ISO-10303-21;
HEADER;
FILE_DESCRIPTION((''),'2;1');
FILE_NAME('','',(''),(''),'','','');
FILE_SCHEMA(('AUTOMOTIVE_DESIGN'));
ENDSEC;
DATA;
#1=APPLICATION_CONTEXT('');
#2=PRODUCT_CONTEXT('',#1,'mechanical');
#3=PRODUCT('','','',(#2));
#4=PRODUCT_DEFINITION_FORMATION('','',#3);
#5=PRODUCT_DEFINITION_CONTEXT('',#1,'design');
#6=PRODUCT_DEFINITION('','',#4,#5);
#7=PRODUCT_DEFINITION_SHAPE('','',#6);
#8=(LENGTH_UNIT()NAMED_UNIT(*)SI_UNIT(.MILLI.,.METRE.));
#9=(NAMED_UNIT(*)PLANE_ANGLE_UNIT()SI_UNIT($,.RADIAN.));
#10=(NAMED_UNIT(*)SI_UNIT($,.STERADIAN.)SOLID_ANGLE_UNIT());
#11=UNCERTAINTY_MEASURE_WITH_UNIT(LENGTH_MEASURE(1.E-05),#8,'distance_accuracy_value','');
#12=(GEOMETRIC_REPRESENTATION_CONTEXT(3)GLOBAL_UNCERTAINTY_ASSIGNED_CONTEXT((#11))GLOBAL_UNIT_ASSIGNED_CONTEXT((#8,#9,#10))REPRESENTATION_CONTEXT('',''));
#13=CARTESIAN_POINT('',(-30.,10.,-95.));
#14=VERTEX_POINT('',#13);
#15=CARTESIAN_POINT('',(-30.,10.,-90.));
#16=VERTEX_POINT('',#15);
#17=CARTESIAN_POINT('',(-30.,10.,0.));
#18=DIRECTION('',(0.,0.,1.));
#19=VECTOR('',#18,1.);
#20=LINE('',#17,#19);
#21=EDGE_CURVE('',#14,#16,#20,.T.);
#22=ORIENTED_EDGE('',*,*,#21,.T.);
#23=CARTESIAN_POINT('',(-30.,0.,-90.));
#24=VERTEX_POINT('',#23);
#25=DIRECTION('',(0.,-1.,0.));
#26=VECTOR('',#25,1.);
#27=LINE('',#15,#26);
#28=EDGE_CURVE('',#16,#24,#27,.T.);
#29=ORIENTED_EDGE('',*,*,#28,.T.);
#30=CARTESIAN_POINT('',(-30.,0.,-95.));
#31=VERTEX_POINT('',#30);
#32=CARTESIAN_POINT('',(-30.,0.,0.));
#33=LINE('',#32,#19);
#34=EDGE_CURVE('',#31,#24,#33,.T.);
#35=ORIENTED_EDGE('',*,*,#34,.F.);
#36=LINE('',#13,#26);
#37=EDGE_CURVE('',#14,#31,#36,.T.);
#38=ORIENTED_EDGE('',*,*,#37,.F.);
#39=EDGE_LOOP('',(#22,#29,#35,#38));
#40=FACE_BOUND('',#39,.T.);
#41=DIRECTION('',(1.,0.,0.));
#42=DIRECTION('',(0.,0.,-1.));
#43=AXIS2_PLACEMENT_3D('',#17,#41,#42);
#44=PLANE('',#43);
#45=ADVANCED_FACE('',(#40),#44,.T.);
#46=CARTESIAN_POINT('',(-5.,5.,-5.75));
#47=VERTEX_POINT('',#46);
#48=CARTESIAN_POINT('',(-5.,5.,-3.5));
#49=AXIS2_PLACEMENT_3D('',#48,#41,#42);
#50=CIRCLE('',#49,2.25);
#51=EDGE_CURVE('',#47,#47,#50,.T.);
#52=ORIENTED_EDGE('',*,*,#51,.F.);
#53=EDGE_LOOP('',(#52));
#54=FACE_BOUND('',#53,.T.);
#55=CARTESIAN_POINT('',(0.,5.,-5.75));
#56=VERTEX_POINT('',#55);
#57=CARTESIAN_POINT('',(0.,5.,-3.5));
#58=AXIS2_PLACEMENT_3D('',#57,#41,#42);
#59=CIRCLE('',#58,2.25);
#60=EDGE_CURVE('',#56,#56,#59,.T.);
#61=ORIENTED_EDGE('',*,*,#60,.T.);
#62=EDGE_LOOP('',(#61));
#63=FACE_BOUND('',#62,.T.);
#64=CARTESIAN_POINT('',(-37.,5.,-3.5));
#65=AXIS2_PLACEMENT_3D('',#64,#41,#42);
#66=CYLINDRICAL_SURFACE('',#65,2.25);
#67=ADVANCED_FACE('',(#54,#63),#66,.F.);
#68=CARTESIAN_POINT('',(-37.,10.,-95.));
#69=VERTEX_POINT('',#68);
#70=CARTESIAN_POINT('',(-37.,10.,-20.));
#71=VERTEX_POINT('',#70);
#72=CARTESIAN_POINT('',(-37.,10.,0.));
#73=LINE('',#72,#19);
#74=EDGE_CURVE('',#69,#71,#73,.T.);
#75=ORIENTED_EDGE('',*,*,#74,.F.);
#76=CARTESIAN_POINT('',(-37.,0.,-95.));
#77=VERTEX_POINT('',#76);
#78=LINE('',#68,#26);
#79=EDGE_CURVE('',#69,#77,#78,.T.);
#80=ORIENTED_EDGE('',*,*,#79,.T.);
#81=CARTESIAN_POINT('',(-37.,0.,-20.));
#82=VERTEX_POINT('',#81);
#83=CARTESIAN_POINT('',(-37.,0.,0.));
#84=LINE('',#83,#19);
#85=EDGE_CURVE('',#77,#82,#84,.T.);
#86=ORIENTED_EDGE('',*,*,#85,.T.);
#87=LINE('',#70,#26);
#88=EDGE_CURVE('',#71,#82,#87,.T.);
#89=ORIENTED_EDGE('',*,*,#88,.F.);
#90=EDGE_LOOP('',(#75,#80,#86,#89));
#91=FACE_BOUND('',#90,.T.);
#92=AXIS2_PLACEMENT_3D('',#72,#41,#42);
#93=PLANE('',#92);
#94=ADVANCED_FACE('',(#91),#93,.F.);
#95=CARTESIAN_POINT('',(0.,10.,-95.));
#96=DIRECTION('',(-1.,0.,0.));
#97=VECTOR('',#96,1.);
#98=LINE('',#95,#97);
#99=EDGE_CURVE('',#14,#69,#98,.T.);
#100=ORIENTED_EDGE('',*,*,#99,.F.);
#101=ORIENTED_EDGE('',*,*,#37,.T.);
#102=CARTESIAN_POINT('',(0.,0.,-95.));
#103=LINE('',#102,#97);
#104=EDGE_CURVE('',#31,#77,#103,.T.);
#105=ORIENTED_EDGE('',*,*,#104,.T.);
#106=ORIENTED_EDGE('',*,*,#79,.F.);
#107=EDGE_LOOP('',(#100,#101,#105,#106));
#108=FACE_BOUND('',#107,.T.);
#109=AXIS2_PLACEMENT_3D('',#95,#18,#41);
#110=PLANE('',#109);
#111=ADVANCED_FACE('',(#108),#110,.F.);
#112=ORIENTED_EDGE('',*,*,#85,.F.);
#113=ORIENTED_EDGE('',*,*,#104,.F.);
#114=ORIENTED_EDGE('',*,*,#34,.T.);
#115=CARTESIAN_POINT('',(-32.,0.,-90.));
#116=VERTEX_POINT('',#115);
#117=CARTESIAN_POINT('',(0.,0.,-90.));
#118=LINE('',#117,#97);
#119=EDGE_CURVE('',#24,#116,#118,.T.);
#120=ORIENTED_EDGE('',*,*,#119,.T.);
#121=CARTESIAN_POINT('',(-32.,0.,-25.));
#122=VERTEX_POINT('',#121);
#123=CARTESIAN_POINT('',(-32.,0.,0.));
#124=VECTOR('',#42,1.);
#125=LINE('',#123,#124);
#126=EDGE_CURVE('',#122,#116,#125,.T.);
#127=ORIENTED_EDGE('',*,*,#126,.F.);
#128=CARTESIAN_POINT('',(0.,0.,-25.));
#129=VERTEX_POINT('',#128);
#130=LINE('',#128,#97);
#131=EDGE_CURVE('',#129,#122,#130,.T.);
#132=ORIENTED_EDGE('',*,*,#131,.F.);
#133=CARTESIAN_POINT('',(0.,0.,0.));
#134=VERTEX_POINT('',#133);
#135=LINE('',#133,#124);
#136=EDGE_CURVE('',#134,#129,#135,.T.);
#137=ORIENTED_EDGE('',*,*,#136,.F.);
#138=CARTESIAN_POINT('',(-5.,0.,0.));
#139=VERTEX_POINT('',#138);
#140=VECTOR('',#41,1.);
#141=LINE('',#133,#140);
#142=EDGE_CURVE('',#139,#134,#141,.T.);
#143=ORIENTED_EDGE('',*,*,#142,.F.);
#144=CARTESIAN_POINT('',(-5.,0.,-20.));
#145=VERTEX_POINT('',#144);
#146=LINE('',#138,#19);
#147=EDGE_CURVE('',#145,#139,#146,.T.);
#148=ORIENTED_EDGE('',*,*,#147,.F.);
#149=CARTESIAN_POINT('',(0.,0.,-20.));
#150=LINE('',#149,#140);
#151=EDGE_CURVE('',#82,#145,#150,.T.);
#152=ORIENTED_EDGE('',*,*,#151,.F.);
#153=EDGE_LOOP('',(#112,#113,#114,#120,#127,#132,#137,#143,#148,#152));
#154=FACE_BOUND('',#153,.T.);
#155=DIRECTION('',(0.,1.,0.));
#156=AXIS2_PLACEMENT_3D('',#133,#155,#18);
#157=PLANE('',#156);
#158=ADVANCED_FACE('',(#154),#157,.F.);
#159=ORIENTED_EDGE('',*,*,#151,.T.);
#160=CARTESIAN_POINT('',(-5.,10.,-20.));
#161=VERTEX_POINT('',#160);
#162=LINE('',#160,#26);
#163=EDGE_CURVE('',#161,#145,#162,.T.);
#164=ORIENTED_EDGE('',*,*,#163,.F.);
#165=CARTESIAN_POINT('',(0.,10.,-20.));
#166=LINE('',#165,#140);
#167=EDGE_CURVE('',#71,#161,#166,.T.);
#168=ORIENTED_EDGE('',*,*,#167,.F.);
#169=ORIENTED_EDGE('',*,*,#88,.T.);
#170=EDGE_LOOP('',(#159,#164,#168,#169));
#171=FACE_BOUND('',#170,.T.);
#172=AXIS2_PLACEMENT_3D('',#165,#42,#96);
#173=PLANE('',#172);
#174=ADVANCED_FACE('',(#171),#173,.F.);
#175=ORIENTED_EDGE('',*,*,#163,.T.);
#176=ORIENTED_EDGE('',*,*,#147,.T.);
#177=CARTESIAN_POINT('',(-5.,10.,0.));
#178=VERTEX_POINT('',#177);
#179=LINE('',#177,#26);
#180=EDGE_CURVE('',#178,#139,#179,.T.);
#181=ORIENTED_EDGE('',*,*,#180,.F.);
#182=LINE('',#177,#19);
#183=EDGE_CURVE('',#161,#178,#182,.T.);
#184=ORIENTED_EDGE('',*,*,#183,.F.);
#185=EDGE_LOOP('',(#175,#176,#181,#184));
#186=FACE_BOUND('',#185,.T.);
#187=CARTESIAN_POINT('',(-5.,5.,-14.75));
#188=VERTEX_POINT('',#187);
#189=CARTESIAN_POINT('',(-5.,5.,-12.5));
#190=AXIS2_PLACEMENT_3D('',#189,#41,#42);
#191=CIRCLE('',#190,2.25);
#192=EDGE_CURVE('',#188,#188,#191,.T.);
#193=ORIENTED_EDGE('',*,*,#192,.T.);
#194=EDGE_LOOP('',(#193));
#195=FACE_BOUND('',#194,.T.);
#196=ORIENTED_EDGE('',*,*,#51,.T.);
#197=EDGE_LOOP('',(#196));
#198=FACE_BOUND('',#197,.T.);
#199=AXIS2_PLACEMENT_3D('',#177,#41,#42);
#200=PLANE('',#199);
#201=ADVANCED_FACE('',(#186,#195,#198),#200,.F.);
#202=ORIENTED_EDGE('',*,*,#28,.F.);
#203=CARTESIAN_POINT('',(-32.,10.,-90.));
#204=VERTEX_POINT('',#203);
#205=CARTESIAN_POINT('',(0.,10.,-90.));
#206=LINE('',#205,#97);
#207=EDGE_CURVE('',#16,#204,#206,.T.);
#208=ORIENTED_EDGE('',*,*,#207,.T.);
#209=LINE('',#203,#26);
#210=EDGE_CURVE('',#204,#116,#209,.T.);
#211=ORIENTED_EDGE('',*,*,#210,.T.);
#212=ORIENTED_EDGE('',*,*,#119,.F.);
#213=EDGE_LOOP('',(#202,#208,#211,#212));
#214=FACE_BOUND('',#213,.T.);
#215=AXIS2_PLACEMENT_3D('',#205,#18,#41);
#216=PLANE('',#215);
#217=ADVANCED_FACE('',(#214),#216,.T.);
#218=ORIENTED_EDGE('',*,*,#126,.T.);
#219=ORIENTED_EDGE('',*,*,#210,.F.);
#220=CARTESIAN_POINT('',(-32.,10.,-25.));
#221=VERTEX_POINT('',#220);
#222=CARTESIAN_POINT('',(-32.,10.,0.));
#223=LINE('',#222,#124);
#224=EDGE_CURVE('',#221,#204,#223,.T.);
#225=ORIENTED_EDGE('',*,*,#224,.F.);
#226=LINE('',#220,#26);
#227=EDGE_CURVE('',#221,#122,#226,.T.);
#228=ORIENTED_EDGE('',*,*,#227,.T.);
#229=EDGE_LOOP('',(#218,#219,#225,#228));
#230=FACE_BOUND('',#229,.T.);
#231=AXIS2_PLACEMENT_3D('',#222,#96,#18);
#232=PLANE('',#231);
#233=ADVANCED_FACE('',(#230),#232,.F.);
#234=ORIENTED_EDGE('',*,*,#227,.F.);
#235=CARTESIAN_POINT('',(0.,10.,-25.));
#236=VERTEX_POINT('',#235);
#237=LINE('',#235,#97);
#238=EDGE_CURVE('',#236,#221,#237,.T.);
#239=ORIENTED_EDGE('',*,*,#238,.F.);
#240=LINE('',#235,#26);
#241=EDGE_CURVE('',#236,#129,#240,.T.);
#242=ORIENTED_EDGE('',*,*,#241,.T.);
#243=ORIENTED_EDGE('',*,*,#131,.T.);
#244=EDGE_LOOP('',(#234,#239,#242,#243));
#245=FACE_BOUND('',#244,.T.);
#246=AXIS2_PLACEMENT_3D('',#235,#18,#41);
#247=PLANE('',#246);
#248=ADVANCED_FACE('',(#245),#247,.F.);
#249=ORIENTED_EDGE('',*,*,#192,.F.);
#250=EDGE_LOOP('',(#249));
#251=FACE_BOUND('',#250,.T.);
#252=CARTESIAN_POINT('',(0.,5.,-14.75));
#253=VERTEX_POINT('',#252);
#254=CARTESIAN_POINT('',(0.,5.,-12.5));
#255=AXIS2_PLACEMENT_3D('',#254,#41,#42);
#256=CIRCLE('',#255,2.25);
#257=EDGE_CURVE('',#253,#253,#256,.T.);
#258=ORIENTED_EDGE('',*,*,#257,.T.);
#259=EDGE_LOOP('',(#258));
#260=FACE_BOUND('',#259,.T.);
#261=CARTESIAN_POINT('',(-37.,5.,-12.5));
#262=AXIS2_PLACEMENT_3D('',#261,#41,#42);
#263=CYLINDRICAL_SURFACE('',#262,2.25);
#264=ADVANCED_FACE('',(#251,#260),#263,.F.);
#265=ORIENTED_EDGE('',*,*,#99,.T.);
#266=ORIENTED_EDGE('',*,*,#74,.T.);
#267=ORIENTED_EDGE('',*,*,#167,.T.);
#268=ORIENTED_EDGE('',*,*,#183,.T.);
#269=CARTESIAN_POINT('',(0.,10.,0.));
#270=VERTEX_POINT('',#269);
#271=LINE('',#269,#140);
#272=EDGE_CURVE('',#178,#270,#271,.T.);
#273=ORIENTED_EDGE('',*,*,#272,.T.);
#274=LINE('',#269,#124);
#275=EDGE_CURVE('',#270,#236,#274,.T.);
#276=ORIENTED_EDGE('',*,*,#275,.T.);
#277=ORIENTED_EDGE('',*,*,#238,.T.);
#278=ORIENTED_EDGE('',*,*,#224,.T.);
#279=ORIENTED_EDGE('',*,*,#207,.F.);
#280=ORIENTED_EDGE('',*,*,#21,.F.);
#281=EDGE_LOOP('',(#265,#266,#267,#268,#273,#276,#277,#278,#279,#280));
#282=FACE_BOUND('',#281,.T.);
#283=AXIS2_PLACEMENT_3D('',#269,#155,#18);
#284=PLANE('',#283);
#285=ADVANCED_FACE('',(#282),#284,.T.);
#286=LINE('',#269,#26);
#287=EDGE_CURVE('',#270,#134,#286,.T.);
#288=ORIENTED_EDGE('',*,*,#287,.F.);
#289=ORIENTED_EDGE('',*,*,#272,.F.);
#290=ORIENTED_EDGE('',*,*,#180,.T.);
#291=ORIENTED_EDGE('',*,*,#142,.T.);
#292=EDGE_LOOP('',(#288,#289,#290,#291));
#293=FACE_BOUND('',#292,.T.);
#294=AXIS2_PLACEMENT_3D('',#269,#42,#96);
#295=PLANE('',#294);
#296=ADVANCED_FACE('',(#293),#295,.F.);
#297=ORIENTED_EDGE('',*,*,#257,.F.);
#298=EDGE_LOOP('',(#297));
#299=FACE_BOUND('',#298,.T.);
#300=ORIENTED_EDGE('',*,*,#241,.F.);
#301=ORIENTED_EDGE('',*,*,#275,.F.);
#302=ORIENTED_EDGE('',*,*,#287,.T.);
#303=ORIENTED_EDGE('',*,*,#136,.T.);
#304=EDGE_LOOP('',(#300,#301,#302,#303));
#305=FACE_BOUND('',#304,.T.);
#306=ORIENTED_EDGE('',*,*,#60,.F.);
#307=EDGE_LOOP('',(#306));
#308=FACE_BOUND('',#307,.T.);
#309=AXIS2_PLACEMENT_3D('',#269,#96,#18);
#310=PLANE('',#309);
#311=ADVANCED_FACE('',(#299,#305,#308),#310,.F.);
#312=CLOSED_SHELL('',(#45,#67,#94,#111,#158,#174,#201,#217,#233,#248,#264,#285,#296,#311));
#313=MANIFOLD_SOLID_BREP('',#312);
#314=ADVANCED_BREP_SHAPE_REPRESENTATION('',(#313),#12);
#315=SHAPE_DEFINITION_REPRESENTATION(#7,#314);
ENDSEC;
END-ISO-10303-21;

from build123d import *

# Parameters (mm, degrees)
BOSS_EXTRUDE1_DEPTH = 10
SKETCH3_R           = 2.25
CUT_EXTRUDE1_DEPTH  = 38


with BuildPart() as part:
    # Sketch2 → Boss-Extrude1 (new body)
    with BuildSketch(Plane(origin=(0, 0, 0), x_dir=(1, 0, 0), z_dir=(0, 1, 0))):
        Polygon((-5, 0), (0, 0), (0, 25), (-32, 25), (-32, 90), (-30, 90), (-30, 95), (-37, 95), (-37, 20), (-5, 20), align=None)
    extrude(amount=BOSS_EXTRUDE1_DEPTH)

    # Sketch3 → Cut-Extrude1 (cut, through all)
    with BuildSketch(Plane(origin=(0, 0, 0), x_dir=(0, 0, -1), z_dir=(1, 0, 0))):
        with Locations((3.5, 5)):
            Circle(SKETCH3_R)
        with Locations((12.5, 5)):
            Circle(SKETCH3_R)
    extrude(amount=-CUT_EXTRUDE1_DEPTH, mode=Mode.SUBTRACT)


solid = part.part
